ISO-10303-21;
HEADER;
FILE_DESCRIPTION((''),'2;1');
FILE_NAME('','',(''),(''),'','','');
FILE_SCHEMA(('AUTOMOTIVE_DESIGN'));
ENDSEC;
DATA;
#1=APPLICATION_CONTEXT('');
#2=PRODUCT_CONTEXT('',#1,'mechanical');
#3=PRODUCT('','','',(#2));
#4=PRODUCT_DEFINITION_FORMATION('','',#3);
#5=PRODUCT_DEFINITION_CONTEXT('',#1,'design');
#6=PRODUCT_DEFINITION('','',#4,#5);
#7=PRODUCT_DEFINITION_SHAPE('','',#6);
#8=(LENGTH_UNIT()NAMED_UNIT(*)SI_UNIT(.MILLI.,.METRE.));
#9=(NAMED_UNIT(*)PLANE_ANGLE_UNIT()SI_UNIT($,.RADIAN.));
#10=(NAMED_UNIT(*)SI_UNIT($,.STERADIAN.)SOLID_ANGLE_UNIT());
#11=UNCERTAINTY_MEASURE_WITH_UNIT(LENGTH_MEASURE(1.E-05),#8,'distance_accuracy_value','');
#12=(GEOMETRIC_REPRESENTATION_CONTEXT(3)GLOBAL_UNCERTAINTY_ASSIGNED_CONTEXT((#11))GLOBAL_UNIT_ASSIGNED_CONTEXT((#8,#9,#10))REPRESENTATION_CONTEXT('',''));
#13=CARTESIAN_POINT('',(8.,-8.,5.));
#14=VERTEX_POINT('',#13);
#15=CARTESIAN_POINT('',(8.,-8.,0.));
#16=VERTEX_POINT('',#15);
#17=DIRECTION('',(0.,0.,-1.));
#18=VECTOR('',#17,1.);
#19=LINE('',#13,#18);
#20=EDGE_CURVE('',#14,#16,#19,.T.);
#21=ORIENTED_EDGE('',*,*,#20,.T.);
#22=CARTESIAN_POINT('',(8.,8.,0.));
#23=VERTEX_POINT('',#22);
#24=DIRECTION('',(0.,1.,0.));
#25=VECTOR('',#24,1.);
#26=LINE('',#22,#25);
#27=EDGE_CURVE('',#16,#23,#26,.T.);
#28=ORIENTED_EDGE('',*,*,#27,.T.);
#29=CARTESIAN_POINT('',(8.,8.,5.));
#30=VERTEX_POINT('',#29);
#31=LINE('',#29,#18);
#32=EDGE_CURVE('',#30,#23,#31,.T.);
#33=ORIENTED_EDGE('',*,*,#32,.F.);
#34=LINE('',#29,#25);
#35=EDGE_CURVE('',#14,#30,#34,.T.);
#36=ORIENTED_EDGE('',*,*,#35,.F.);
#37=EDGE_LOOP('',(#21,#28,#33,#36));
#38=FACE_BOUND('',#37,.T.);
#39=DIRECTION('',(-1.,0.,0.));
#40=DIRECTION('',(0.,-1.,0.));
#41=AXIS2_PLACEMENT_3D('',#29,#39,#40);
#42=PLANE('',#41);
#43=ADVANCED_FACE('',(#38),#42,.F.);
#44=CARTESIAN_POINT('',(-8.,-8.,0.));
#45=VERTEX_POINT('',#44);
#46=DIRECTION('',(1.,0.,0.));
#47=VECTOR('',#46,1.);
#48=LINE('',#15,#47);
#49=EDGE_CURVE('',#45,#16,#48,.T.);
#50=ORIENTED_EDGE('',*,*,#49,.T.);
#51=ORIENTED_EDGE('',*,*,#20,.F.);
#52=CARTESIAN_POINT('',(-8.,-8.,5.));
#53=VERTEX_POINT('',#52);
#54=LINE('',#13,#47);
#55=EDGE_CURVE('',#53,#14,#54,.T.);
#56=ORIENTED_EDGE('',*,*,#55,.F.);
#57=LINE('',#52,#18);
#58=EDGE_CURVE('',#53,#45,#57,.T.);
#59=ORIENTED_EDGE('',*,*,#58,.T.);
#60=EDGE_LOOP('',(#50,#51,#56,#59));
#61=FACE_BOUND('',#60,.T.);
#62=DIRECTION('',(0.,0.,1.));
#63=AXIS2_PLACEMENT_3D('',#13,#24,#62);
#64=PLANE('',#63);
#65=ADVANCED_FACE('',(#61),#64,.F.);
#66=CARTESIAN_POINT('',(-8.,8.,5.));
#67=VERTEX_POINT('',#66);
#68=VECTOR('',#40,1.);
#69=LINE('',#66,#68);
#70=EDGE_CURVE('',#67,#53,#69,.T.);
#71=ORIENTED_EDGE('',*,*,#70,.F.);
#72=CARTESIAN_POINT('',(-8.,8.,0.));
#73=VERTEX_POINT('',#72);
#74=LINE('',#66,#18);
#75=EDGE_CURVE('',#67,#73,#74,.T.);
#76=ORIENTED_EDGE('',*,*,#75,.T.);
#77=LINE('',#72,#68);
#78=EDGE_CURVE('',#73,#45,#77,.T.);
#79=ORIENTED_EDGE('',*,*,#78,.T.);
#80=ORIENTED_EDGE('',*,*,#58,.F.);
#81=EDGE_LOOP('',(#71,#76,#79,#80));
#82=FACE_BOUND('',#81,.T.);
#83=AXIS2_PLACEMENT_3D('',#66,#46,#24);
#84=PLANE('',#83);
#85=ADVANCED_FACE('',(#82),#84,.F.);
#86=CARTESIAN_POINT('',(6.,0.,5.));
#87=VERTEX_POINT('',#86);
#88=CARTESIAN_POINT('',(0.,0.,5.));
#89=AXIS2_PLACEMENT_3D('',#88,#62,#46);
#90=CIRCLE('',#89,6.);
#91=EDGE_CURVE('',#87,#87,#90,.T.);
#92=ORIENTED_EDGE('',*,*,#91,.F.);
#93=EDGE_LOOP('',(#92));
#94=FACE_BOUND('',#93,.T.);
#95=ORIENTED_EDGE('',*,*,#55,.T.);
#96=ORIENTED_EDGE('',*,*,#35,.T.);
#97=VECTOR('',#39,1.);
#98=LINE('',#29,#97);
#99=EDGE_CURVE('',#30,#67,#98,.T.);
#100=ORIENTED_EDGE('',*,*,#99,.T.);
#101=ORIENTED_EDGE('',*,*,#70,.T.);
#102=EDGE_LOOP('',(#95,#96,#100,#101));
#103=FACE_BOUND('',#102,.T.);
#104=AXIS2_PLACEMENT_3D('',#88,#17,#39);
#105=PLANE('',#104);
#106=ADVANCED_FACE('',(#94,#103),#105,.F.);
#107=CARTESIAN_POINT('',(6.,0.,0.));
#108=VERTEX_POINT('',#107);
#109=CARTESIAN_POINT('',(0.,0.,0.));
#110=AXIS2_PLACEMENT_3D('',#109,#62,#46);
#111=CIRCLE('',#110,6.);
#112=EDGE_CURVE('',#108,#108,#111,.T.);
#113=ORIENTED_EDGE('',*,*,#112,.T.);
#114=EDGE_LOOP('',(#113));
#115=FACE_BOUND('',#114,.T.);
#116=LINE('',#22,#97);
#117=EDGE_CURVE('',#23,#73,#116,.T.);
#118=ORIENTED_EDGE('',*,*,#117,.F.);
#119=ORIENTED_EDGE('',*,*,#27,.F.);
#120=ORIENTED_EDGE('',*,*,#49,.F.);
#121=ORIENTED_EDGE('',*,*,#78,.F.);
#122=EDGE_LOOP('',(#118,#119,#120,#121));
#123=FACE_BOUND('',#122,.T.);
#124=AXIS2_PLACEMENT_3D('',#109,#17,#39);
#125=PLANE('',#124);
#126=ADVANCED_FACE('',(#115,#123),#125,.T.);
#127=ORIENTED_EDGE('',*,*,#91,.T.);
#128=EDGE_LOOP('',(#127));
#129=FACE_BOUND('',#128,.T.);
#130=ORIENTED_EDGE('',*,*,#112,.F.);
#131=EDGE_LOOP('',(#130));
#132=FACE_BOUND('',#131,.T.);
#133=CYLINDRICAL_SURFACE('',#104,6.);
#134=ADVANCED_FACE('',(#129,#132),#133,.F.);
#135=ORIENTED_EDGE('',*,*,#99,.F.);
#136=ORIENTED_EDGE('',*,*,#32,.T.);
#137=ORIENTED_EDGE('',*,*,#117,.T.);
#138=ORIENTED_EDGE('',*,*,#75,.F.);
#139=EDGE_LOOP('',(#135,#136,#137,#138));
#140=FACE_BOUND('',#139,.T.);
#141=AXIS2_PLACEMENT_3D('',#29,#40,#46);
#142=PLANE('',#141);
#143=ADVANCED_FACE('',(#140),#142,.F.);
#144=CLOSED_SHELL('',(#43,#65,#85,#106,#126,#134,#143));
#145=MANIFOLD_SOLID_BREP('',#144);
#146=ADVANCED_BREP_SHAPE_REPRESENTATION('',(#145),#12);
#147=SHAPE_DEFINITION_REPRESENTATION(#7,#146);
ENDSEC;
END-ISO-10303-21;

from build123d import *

# Parameters (mm, degrees)
SKETCH_1_W      = 16
SKETCH_1_H      = 16
SKETCH_1_R      = 6
EXTRUDE_1_DEPTH = 5


with BuildPart() as part:
    # 草图1 → 凸台-拉伸1 (new body)
    with BuildSketch(Plane.XY):
        Rectangle(SKETCH_1_W, SKETCH_1_H)
        Circle(SKETCH_1_R, mode=Mode.SUBTRACT)
    extrude(amount=EXTRUDE_1_DEPTH)


solid = part.part
